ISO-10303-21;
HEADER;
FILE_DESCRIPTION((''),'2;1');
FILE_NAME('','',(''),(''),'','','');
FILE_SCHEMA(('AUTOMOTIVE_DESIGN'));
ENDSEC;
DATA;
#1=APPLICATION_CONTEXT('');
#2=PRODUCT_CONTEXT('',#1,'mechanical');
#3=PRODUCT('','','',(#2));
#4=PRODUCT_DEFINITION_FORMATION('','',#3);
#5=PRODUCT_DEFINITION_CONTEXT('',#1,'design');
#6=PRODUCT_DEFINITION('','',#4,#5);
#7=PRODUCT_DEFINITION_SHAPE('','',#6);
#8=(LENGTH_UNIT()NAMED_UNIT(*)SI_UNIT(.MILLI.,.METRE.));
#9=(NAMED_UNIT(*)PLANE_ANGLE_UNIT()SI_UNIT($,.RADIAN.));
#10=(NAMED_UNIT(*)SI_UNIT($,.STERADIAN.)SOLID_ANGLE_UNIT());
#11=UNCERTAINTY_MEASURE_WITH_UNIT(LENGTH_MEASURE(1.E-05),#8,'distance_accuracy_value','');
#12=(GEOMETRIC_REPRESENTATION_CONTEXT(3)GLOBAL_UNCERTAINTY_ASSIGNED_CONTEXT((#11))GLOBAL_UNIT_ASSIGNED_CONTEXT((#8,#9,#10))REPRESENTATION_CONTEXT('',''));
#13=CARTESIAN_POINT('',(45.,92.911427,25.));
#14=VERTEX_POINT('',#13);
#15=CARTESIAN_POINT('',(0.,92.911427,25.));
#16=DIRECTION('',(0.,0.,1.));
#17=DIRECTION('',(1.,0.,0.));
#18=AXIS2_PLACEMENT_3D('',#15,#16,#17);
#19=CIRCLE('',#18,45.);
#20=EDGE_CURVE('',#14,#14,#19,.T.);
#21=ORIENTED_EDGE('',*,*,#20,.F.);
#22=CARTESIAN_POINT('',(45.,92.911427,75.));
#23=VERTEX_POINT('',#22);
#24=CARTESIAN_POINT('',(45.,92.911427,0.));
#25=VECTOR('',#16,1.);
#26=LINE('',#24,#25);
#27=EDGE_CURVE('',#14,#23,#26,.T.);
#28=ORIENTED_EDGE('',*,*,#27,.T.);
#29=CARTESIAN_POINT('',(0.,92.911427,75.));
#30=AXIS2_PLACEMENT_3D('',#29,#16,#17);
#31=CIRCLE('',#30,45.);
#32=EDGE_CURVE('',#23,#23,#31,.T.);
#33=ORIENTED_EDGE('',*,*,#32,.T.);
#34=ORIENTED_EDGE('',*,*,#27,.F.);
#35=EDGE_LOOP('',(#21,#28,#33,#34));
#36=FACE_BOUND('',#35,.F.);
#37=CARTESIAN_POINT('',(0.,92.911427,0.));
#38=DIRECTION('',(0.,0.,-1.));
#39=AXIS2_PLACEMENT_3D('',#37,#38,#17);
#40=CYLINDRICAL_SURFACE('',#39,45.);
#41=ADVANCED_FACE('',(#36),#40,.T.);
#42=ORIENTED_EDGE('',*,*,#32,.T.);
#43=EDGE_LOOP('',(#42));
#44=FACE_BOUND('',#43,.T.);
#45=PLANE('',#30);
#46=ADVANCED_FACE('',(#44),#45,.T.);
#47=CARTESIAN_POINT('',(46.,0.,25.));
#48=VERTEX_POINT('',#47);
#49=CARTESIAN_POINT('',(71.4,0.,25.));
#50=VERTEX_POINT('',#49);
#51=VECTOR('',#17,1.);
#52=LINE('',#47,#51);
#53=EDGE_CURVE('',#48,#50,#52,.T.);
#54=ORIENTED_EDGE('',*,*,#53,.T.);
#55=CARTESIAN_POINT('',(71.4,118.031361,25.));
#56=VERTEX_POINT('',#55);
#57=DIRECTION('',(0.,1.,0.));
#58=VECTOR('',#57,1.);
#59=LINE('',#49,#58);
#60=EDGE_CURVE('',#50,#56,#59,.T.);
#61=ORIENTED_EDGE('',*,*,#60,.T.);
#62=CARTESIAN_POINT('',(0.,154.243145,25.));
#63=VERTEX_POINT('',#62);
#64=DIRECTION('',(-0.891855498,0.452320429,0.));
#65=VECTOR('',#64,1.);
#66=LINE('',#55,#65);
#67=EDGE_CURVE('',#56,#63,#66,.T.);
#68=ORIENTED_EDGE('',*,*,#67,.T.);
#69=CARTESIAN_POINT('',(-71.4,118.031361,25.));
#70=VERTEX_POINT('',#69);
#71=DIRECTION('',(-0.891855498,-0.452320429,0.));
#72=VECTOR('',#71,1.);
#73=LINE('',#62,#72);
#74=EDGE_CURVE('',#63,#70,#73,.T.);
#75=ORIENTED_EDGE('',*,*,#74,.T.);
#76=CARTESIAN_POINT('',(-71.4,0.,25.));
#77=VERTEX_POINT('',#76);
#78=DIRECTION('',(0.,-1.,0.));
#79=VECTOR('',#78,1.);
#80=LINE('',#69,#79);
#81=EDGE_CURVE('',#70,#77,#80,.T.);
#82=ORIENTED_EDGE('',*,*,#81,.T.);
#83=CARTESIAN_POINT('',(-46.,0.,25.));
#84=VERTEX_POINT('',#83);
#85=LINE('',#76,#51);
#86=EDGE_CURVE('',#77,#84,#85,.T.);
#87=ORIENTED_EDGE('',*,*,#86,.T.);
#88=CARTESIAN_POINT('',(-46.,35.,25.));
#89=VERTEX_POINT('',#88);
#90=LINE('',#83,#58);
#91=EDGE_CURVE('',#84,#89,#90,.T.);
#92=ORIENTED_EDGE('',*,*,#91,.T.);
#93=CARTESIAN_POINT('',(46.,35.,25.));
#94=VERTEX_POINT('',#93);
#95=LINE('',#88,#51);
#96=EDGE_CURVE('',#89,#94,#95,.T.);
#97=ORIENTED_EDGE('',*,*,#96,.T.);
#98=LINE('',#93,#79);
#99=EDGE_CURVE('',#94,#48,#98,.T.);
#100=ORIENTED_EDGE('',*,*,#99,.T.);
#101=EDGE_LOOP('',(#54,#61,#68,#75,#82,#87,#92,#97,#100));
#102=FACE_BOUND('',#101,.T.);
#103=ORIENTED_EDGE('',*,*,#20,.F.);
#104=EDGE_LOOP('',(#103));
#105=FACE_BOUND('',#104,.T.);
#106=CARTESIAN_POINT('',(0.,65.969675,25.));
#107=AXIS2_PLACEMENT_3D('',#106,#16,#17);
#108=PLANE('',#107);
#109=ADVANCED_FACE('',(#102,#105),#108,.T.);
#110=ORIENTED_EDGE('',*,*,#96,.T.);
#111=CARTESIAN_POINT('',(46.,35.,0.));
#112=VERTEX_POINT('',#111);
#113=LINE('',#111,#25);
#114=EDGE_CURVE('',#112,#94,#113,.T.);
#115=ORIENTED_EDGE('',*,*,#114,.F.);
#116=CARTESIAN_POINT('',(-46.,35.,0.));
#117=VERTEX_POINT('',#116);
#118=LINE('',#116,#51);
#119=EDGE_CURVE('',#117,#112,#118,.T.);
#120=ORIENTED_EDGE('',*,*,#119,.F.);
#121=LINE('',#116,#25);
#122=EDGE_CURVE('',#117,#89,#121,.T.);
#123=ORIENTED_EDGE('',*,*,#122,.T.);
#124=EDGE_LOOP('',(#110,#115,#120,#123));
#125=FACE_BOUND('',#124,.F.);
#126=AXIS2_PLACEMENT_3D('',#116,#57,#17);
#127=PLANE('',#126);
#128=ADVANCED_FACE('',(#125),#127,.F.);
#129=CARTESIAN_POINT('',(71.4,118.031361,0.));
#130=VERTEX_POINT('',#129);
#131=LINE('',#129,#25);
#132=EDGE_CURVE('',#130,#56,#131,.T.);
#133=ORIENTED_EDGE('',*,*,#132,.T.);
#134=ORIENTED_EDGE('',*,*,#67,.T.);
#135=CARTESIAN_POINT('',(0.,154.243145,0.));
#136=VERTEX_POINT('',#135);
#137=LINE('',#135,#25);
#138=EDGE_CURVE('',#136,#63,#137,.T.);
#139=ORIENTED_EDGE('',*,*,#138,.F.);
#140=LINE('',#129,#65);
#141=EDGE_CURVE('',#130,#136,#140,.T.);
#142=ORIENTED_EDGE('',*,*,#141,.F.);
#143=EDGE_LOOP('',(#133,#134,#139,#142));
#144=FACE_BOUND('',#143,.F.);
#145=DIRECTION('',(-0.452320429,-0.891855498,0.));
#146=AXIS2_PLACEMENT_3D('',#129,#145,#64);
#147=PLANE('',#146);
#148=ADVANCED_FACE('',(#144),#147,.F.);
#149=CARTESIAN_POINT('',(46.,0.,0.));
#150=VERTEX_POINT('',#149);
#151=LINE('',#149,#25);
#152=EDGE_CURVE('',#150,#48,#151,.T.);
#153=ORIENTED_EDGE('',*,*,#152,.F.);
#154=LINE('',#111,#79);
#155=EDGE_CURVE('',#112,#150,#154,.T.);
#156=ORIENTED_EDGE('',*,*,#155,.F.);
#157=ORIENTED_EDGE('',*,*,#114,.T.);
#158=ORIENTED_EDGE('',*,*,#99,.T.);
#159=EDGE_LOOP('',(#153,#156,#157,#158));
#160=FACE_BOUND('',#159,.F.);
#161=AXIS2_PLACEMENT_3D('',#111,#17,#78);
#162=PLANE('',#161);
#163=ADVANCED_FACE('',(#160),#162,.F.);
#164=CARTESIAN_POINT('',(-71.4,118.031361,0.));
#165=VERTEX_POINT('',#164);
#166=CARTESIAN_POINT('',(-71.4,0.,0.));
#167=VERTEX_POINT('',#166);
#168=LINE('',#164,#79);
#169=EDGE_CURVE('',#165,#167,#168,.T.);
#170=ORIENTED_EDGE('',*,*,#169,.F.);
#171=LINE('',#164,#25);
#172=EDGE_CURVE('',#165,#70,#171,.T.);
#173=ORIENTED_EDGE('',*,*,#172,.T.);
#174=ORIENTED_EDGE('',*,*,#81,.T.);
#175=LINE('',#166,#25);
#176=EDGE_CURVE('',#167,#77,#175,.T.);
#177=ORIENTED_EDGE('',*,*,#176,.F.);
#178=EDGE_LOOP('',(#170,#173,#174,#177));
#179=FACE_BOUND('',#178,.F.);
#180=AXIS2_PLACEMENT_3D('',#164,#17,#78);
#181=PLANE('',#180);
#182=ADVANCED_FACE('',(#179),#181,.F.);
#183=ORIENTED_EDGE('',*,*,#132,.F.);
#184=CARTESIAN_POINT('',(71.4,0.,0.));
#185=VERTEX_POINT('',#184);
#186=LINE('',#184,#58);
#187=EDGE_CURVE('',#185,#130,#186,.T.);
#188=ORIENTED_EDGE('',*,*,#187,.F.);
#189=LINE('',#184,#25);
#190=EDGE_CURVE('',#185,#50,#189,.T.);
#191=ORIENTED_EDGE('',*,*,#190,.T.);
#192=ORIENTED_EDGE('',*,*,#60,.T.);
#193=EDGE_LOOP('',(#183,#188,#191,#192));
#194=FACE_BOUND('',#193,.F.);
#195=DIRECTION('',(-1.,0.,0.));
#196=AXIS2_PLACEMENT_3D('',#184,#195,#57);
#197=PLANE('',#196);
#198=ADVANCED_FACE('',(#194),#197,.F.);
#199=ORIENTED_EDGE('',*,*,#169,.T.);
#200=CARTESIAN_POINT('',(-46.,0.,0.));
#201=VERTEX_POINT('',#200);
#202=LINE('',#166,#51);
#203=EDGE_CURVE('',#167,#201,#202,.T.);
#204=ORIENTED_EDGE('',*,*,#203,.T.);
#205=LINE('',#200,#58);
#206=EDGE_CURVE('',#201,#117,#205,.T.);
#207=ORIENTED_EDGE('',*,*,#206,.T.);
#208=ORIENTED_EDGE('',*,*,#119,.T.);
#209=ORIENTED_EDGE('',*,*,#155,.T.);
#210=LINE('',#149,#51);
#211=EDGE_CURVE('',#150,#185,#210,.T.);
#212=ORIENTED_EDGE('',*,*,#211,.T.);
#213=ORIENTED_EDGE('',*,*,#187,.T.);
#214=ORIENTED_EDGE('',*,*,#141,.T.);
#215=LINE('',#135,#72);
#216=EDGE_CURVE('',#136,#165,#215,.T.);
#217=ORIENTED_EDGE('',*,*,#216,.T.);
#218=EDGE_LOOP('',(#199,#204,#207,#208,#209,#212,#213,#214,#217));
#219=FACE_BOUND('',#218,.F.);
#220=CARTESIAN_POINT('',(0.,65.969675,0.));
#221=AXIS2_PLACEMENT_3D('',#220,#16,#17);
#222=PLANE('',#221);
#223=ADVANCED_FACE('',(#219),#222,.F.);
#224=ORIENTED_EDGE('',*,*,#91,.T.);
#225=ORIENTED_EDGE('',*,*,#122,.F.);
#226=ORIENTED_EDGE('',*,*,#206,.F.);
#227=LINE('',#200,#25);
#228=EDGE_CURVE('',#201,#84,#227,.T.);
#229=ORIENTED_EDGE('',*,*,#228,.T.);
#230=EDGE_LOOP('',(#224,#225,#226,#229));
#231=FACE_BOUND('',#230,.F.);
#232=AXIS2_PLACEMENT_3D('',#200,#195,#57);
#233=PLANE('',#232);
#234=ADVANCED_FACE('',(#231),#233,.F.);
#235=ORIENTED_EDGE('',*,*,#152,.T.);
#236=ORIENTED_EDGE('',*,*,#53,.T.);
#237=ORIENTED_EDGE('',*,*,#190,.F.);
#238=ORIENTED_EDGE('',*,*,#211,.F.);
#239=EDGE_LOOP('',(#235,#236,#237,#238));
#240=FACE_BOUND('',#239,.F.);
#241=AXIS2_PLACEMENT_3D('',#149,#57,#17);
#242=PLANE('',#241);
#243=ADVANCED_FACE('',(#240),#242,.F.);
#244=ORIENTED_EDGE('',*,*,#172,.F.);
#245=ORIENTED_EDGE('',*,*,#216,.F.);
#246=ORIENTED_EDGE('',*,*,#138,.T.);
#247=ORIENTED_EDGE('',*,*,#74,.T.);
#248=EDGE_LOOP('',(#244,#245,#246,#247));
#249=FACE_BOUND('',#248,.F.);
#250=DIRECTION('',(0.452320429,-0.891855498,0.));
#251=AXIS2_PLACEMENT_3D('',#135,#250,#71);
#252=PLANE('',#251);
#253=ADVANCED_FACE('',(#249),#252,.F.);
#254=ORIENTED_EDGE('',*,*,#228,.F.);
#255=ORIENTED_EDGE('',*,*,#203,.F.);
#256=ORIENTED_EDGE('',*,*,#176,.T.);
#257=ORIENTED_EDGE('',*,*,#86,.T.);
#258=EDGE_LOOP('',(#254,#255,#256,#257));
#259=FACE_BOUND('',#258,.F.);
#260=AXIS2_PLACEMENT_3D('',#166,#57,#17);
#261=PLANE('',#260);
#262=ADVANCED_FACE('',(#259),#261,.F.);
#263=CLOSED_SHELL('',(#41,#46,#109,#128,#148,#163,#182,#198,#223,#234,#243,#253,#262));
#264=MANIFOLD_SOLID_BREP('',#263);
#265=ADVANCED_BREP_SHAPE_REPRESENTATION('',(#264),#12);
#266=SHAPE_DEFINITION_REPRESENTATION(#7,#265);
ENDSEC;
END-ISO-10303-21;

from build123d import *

# Parameters (mm, degrees)
F0_R     = 45
F1_DEPTH = 25
F2_DEPTH = 75


with BuildPart() as f1:
    # F0 (on Top) → F1 (new body)
    with BuildSketch(Plane.XY):
        Polygon((-46, 35), (0, 35), (46, 35), (46, 0), (71.4, 0), (71.4, 118.031361), (0, 154.243145), (-71.4, 118.031361), (-71.4, 0), (-46, 0), align=None)
        with Locations((0, 92.911427)):
            Circle(F0_R, mode=Mode.SUBTRACT)
    extrude(amount=F1_DEPTH)

    # F0 (on Top) → F2 (join)
    with BuildSketch(Plane.XY):
        with Locations((0, 92.911427)):
            Circle(F0_R)
    extrude(amount=F2_DEPTH)


solid = f1.part
